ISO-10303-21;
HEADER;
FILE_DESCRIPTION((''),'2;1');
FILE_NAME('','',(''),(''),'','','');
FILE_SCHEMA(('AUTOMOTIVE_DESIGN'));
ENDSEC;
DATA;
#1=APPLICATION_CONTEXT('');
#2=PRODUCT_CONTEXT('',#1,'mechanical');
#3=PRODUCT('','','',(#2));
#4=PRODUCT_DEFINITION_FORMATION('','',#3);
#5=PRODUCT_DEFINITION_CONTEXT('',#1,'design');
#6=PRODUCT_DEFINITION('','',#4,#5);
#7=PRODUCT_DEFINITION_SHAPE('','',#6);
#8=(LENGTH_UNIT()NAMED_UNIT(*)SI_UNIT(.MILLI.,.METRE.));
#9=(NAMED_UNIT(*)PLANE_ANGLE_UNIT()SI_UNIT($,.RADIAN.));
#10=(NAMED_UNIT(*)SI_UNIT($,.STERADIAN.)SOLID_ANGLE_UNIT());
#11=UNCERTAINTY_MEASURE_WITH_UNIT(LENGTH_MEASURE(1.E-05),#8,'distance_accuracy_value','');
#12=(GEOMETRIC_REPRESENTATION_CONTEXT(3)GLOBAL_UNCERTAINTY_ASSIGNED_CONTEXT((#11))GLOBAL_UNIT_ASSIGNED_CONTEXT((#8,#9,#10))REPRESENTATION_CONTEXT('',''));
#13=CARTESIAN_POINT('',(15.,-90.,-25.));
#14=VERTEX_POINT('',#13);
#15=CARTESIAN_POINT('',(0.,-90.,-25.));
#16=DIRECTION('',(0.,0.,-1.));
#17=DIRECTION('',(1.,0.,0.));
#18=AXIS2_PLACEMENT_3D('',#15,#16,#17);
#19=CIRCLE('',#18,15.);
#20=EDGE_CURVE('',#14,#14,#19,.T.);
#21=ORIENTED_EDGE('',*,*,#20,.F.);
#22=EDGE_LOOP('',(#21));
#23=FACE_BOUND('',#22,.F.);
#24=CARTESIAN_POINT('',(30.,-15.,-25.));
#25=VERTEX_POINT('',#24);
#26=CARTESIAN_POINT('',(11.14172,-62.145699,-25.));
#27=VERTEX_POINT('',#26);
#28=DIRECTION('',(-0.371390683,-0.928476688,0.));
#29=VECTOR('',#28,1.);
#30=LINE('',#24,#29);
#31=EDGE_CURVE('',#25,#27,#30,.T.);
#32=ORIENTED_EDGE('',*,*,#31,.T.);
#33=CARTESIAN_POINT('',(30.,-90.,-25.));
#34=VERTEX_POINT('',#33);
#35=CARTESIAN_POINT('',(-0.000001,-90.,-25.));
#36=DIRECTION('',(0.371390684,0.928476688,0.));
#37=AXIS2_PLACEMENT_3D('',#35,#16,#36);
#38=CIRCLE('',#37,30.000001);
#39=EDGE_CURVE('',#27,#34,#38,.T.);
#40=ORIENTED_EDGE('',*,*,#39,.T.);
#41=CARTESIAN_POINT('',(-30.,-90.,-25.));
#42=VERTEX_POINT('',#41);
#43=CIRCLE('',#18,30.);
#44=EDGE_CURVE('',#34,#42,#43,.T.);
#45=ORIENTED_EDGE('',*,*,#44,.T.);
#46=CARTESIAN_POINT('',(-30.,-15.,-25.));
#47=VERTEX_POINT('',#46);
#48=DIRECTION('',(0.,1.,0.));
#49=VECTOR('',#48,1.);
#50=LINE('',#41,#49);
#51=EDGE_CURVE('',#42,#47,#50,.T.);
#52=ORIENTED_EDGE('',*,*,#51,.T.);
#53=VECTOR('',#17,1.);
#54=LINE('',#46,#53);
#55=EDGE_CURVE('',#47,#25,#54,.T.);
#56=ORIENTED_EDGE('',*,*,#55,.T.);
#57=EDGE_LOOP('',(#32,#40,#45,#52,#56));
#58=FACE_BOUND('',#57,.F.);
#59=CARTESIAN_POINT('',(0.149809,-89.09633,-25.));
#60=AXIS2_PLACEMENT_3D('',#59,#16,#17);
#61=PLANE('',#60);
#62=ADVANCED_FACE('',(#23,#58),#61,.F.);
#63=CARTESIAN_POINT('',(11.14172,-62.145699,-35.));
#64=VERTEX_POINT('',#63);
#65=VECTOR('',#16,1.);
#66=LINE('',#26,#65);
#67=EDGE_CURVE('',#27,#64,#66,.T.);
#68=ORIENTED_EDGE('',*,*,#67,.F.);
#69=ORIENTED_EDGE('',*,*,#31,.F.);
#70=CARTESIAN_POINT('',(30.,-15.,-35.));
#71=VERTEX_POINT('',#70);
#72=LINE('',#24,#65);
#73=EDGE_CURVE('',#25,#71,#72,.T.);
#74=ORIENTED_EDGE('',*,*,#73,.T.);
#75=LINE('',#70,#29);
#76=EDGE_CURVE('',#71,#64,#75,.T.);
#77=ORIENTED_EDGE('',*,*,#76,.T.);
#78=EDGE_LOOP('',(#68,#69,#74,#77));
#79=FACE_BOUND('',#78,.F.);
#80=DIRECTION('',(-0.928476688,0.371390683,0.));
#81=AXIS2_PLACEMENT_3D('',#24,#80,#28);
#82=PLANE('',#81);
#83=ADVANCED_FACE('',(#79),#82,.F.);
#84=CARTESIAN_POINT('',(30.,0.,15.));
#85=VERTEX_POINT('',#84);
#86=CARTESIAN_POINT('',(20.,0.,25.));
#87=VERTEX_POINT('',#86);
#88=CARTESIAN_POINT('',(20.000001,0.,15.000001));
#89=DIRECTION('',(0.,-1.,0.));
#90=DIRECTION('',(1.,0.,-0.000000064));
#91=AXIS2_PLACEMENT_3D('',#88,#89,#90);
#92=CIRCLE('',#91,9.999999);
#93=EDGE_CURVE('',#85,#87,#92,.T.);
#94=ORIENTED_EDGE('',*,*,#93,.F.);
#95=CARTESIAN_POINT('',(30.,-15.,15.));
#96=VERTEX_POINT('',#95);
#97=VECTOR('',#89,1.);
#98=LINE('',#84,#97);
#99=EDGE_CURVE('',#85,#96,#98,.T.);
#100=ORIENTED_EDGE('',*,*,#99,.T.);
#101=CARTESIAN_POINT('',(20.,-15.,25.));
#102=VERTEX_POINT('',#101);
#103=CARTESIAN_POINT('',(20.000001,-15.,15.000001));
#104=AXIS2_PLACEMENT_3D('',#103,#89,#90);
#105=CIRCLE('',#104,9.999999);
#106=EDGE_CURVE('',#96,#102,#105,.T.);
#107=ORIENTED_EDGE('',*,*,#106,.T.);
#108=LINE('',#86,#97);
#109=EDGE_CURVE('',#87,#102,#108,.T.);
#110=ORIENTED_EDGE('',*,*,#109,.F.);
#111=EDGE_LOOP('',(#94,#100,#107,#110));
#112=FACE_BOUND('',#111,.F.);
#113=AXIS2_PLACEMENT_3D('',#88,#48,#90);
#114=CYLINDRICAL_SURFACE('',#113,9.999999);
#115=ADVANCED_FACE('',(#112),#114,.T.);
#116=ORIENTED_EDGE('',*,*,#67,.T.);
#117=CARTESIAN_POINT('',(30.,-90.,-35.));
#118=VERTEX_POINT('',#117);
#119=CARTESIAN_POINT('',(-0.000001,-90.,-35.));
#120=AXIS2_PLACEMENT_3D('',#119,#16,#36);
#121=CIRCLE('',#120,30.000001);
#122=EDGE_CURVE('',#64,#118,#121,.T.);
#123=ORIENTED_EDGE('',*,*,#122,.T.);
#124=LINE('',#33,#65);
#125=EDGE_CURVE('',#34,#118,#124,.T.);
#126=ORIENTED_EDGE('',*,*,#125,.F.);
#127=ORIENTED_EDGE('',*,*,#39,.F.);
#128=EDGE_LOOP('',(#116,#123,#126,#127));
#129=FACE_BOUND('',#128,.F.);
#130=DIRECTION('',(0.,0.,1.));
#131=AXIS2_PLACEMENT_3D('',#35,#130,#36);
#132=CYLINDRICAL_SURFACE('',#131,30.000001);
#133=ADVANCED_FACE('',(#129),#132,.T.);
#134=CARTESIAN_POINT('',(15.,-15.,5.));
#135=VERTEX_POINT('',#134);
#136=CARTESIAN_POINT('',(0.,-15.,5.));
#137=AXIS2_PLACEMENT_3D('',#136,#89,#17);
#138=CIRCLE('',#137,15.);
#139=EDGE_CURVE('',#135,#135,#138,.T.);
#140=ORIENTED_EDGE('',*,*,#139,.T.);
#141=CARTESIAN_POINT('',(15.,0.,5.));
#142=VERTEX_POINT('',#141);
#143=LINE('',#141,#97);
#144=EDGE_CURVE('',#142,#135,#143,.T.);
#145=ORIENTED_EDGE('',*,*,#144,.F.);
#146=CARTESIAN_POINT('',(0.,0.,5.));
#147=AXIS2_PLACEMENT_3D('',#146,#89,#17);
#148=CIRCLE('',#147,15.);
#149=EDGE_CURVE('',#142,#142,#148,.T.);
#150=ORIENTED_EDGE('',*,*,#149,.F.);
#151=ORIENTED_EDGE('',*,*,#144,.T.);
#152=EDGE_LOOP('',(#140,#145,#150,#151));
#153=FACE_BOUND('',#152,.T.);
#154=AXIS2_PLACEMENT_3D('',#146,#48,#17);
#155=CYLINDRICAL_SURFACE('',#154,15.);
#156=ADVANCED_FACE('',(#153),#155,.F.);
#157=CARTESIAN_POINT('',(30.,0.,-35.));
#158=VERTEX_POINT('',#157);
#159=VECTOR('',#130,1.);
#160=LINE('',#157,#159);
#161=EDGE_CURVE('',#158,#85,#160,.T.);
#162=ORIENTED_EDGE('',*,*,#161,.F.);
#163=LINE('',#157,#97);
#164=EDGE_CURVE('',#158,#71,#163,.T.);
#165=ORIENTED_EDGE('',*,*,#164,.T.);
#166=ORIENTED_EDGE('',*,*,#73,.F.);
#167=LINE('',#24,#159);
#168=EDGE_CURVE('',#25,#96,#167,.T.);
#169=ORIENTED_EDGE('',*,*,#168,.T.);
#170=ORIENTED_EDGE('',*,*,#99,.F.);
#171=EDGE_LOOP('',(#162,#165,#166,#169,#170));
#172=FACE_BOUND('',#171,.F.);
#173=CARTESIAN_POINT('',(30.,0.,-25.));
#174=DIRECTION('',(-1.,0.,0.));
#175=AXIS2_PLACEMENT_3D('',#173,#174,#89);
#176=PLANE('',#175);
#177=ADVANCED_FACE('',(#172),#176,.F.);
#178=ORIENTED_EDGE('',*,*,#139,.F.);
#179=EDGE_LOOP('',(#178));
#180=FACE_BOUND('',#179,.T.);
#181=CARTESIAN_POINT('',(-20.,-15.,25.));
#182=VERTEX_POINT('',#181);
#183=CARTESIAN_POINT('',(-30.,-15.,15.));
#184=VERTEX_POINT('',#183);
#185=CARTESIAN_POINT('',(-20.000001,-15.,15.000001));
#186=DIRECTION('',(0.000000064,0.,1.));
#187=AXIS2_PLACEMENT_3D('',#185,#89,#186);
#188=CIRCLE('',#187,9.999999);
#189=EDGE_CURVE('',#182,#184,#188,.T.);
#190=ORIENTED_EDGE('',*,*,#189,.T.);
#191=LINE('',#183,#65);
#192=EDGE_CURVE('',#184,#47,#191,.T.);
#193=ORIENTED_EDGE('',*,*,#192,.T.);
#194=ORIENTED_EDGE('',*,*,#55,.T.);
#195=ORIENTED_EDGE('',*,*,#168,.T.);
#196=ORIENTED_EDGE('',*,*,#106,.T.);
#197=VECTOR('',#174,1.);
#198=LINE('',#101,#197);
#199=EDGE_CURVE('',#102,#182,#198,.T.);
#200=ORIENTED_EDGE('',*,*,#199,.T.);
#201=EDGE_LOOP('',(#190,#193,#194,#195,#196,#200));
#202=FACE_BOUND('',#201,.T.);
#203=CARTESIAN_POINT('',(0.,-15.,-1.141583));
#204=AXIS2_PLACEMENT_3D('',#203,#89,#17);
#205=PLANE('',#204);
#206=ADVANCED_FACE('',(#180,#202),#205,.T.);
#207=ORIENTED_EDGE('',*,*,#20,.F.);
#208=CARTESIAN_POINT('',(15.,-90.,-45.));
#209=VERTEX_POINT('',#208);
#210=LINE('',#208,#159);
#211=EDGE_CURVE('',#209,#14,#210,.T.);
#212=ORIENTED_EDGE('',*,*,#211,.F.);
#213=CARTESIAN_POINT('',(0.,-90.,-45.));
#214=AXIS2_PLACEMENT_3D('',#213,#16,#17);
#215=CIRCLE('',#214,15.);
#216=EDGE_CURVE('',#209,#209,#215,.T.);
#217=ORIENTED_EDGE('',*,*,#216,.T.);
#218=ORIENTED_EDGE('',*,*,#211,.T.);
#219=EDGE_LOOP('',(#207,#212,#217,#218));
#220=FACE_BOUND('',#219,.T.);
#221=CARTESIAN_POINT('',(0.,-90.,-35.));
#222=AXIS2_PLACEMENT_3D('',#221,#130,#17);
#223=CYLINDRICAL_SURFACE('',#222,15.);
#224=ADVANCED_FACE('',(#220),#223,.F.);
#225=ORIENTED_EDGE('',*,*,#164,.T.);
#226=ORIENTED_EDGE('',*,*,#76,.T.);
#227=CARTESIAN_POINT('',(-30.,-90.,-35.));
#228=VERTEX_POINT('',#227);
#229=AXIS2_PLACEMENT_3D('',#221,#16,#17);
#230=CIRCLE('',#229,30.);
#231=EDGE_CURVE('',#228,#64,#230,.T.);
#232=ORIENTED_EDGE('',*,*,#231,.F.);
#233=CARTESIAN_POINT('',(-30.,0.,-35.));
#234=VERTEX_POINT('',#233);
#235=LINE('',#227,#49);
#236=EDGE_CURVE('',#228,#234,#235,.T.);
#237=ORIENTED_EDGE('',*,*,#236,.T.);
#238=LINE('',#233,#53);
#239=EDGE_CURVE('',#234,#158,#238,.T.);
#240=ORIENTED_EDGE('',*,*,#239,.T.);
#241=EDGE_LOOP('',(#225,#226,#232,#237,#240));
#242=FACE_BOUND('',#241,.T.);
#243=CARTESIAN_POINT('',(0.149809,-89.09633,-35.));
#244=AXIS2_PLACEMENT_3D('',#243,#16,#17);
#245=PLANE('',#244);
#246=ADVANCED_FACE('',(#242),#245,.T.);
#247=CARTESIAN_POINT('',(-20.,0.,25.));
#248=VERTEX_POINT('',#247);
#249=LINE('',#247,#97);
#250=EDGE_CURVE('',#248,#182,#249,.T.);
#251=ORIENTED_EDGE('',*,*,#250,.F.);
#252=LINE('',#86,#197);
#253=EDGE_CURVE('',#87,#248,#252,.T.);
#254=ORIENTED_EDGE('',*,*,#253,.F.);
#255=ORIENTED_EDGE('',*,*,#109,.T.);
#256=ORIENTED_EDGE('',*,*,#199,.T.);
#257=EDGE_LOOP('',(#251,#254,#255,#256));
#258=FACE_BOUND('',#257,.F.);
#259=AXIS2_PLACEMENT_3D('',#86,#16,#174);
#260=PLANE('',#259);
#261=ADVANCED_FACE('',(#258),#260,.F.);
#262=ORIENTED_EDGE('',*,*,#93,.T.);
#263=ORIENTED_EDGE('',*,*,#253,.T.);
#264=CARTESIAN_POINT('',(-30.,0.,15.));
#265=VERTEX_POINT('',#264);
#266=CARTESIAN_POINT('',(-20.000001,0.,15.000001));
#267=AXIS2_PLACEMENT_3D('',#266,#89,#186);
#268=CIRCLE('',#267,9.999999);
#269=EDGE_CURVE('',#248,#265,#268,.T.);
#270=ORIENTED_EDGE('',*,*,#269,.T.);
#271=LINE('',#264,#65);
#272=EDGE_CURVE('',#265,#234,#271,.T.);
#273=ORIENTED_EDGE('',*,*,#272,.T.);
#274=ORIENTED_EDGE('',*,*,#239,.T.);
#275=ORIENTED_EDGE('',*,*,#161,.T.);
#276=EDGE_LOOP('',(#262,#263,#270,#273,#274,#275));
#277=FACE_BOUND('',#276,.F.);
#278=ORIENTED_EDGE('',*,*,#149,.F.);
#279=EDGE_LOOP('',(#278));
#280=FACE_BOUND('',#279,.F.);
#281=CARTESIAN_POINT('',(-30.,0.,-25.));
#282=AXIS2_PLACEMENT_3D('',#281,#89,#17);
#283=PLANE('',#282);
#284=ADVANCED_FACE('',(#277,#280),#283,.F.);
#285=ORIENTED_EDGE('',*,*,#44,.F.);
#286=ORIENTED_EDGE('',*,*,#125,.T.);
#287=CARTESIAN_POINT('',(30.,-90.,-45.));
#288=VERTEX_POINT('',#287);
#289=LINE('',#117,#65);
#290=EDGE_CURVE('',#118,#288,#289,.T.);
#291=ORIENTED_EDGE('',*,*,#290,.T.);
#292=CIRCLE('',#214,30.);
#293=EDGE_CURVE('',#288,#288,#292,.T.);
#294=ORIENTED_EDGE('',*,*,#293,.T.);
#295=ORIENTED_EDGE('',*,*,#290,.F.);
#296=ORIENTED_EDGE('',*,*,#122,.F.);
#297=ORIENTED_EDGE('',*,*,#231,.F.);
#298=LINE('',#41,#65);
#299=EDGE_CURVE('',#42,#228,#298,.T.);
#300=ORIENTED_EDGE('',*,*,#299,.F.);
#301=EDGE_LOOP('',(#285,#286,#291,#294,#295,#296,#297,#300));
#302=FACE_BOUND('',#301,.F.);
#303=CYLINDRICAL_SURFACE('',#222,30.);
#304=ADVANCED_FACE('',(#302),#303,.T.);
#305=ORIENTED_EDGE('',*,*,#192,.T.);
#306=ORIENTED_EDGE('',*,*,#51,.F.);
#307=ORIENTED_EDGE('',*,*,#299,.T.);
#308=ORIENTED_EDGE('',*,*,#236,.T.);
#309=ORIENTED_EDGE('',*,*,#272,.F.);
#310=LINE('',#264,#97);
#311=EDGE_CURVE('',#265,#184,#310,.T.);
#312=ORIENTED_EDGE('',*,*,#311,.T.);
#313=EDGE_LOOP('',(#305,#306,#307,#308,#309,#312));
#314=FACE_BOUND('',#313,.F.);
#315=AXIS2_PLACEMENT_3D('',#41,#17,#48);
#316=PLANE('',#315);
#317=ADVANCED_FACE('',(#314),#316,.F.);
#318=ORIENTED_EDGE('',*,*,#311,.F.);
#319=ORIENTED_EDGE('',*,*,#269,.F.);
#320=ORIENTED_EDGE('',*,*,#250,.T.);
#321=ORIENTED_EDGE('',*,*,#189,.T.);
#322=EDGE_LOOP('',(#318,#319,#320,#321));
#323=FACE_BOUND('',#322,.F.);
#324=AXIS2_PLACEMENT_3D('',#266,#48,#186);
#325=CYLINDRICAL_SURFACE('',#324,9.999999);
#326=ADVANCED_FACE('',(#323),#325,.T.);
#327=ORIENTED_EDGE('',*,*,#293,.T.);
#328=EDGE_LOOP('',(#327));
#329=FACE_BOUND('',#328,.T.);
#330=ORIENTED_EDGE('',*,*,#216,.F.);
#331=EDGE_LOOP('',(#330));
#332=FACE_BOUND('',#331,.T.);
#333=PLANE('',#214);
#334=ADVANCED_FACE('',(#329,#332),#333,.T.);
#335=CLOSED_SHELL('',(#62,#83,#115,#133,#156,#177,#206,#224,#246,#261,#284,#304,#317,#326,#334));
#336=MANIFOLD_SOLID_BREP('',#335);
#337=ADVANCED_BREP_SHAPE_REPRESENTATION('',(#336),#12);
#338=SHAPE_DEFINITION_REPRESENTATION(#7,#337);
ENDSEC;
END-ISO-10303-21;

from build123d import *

# Parameters (mm, degrees)
F0_R     = 15
F1_DEPTH = 15
F2_R     = 15
F3_DEPTH = 10
F4_R     = 30
F4_R_2   = 15
F5_DEPTH = 10


with BuildPart() as f1:
    # F0 (on Front) → F1 (new body)
    with BuildSketch(Plane.XZ):
        with BuildLine():
            ThreePointArc((30, 15), (27.071068, 22.071068), (20, 25))
            Line((20, 25), (-20, 25))
            ThreePointArc((-20, 25), (-27.071068, 22.071068), (-30, 15))
            Line((-30, 15), (-30, -25))
            Line((-30, -25), (30, -25))
            Line((30, -25), (30, 15))
        make_face()
        with Locations((0, 5)):
            Circle(F0_R, mode=Mode.SUBTRACT)
    extrude(amount=F1_DEPTH)

    # F2 (on face) → F3 (join)
    with BuildSketch(Plane(origin=(0, 0, -25), x_dir=(1, 0, 0), z_dir=(0, 0, -1))):
        with BuildLine():
            ThreePointArc((11.14172, 62.145699), (24.842017, 73.181136), (30, 90))
            ThreePointArc((30, 90), (0, 120), (-30, 90))
            ThreePointArc((-30, 90), (-16.818864, 65.157983), (11.14172, 62.145699))
        make_face()
        with Locations((0, 90)):
            Circle(F2_R, mode=Mode.SUBTRACT)
        with BuildLine():
            ThreePointArc((11.14172, 62.145699), (-16.818864, 65.157983), (-30, 90))
            Line((-30, 90), (-30, 15))
            Line((-30, 15), (-30, 0))
            Line((-30, 0), (30, 0))
            Line((30, 0), (30, 15))
            Line((30, 15), (11.14172, 62.145699))
        make_face()
    extrude(amount=F3_DEPTH)

    # F4 (on face) → F5 (join)
    with BuildSketch(Plane(origin=(0, 0, -35), x_dir=(1, 0, 0), z_dir=(0, 0, -1))):
        with Locations((0, 90)):
            Circle(F4_R)
        with Locations((0, 90)):
            Circle(F4_R_2, mode=Mode.SUBTRACT)
    extrude(amount=F5_DEPTH)


solid = f1.part
